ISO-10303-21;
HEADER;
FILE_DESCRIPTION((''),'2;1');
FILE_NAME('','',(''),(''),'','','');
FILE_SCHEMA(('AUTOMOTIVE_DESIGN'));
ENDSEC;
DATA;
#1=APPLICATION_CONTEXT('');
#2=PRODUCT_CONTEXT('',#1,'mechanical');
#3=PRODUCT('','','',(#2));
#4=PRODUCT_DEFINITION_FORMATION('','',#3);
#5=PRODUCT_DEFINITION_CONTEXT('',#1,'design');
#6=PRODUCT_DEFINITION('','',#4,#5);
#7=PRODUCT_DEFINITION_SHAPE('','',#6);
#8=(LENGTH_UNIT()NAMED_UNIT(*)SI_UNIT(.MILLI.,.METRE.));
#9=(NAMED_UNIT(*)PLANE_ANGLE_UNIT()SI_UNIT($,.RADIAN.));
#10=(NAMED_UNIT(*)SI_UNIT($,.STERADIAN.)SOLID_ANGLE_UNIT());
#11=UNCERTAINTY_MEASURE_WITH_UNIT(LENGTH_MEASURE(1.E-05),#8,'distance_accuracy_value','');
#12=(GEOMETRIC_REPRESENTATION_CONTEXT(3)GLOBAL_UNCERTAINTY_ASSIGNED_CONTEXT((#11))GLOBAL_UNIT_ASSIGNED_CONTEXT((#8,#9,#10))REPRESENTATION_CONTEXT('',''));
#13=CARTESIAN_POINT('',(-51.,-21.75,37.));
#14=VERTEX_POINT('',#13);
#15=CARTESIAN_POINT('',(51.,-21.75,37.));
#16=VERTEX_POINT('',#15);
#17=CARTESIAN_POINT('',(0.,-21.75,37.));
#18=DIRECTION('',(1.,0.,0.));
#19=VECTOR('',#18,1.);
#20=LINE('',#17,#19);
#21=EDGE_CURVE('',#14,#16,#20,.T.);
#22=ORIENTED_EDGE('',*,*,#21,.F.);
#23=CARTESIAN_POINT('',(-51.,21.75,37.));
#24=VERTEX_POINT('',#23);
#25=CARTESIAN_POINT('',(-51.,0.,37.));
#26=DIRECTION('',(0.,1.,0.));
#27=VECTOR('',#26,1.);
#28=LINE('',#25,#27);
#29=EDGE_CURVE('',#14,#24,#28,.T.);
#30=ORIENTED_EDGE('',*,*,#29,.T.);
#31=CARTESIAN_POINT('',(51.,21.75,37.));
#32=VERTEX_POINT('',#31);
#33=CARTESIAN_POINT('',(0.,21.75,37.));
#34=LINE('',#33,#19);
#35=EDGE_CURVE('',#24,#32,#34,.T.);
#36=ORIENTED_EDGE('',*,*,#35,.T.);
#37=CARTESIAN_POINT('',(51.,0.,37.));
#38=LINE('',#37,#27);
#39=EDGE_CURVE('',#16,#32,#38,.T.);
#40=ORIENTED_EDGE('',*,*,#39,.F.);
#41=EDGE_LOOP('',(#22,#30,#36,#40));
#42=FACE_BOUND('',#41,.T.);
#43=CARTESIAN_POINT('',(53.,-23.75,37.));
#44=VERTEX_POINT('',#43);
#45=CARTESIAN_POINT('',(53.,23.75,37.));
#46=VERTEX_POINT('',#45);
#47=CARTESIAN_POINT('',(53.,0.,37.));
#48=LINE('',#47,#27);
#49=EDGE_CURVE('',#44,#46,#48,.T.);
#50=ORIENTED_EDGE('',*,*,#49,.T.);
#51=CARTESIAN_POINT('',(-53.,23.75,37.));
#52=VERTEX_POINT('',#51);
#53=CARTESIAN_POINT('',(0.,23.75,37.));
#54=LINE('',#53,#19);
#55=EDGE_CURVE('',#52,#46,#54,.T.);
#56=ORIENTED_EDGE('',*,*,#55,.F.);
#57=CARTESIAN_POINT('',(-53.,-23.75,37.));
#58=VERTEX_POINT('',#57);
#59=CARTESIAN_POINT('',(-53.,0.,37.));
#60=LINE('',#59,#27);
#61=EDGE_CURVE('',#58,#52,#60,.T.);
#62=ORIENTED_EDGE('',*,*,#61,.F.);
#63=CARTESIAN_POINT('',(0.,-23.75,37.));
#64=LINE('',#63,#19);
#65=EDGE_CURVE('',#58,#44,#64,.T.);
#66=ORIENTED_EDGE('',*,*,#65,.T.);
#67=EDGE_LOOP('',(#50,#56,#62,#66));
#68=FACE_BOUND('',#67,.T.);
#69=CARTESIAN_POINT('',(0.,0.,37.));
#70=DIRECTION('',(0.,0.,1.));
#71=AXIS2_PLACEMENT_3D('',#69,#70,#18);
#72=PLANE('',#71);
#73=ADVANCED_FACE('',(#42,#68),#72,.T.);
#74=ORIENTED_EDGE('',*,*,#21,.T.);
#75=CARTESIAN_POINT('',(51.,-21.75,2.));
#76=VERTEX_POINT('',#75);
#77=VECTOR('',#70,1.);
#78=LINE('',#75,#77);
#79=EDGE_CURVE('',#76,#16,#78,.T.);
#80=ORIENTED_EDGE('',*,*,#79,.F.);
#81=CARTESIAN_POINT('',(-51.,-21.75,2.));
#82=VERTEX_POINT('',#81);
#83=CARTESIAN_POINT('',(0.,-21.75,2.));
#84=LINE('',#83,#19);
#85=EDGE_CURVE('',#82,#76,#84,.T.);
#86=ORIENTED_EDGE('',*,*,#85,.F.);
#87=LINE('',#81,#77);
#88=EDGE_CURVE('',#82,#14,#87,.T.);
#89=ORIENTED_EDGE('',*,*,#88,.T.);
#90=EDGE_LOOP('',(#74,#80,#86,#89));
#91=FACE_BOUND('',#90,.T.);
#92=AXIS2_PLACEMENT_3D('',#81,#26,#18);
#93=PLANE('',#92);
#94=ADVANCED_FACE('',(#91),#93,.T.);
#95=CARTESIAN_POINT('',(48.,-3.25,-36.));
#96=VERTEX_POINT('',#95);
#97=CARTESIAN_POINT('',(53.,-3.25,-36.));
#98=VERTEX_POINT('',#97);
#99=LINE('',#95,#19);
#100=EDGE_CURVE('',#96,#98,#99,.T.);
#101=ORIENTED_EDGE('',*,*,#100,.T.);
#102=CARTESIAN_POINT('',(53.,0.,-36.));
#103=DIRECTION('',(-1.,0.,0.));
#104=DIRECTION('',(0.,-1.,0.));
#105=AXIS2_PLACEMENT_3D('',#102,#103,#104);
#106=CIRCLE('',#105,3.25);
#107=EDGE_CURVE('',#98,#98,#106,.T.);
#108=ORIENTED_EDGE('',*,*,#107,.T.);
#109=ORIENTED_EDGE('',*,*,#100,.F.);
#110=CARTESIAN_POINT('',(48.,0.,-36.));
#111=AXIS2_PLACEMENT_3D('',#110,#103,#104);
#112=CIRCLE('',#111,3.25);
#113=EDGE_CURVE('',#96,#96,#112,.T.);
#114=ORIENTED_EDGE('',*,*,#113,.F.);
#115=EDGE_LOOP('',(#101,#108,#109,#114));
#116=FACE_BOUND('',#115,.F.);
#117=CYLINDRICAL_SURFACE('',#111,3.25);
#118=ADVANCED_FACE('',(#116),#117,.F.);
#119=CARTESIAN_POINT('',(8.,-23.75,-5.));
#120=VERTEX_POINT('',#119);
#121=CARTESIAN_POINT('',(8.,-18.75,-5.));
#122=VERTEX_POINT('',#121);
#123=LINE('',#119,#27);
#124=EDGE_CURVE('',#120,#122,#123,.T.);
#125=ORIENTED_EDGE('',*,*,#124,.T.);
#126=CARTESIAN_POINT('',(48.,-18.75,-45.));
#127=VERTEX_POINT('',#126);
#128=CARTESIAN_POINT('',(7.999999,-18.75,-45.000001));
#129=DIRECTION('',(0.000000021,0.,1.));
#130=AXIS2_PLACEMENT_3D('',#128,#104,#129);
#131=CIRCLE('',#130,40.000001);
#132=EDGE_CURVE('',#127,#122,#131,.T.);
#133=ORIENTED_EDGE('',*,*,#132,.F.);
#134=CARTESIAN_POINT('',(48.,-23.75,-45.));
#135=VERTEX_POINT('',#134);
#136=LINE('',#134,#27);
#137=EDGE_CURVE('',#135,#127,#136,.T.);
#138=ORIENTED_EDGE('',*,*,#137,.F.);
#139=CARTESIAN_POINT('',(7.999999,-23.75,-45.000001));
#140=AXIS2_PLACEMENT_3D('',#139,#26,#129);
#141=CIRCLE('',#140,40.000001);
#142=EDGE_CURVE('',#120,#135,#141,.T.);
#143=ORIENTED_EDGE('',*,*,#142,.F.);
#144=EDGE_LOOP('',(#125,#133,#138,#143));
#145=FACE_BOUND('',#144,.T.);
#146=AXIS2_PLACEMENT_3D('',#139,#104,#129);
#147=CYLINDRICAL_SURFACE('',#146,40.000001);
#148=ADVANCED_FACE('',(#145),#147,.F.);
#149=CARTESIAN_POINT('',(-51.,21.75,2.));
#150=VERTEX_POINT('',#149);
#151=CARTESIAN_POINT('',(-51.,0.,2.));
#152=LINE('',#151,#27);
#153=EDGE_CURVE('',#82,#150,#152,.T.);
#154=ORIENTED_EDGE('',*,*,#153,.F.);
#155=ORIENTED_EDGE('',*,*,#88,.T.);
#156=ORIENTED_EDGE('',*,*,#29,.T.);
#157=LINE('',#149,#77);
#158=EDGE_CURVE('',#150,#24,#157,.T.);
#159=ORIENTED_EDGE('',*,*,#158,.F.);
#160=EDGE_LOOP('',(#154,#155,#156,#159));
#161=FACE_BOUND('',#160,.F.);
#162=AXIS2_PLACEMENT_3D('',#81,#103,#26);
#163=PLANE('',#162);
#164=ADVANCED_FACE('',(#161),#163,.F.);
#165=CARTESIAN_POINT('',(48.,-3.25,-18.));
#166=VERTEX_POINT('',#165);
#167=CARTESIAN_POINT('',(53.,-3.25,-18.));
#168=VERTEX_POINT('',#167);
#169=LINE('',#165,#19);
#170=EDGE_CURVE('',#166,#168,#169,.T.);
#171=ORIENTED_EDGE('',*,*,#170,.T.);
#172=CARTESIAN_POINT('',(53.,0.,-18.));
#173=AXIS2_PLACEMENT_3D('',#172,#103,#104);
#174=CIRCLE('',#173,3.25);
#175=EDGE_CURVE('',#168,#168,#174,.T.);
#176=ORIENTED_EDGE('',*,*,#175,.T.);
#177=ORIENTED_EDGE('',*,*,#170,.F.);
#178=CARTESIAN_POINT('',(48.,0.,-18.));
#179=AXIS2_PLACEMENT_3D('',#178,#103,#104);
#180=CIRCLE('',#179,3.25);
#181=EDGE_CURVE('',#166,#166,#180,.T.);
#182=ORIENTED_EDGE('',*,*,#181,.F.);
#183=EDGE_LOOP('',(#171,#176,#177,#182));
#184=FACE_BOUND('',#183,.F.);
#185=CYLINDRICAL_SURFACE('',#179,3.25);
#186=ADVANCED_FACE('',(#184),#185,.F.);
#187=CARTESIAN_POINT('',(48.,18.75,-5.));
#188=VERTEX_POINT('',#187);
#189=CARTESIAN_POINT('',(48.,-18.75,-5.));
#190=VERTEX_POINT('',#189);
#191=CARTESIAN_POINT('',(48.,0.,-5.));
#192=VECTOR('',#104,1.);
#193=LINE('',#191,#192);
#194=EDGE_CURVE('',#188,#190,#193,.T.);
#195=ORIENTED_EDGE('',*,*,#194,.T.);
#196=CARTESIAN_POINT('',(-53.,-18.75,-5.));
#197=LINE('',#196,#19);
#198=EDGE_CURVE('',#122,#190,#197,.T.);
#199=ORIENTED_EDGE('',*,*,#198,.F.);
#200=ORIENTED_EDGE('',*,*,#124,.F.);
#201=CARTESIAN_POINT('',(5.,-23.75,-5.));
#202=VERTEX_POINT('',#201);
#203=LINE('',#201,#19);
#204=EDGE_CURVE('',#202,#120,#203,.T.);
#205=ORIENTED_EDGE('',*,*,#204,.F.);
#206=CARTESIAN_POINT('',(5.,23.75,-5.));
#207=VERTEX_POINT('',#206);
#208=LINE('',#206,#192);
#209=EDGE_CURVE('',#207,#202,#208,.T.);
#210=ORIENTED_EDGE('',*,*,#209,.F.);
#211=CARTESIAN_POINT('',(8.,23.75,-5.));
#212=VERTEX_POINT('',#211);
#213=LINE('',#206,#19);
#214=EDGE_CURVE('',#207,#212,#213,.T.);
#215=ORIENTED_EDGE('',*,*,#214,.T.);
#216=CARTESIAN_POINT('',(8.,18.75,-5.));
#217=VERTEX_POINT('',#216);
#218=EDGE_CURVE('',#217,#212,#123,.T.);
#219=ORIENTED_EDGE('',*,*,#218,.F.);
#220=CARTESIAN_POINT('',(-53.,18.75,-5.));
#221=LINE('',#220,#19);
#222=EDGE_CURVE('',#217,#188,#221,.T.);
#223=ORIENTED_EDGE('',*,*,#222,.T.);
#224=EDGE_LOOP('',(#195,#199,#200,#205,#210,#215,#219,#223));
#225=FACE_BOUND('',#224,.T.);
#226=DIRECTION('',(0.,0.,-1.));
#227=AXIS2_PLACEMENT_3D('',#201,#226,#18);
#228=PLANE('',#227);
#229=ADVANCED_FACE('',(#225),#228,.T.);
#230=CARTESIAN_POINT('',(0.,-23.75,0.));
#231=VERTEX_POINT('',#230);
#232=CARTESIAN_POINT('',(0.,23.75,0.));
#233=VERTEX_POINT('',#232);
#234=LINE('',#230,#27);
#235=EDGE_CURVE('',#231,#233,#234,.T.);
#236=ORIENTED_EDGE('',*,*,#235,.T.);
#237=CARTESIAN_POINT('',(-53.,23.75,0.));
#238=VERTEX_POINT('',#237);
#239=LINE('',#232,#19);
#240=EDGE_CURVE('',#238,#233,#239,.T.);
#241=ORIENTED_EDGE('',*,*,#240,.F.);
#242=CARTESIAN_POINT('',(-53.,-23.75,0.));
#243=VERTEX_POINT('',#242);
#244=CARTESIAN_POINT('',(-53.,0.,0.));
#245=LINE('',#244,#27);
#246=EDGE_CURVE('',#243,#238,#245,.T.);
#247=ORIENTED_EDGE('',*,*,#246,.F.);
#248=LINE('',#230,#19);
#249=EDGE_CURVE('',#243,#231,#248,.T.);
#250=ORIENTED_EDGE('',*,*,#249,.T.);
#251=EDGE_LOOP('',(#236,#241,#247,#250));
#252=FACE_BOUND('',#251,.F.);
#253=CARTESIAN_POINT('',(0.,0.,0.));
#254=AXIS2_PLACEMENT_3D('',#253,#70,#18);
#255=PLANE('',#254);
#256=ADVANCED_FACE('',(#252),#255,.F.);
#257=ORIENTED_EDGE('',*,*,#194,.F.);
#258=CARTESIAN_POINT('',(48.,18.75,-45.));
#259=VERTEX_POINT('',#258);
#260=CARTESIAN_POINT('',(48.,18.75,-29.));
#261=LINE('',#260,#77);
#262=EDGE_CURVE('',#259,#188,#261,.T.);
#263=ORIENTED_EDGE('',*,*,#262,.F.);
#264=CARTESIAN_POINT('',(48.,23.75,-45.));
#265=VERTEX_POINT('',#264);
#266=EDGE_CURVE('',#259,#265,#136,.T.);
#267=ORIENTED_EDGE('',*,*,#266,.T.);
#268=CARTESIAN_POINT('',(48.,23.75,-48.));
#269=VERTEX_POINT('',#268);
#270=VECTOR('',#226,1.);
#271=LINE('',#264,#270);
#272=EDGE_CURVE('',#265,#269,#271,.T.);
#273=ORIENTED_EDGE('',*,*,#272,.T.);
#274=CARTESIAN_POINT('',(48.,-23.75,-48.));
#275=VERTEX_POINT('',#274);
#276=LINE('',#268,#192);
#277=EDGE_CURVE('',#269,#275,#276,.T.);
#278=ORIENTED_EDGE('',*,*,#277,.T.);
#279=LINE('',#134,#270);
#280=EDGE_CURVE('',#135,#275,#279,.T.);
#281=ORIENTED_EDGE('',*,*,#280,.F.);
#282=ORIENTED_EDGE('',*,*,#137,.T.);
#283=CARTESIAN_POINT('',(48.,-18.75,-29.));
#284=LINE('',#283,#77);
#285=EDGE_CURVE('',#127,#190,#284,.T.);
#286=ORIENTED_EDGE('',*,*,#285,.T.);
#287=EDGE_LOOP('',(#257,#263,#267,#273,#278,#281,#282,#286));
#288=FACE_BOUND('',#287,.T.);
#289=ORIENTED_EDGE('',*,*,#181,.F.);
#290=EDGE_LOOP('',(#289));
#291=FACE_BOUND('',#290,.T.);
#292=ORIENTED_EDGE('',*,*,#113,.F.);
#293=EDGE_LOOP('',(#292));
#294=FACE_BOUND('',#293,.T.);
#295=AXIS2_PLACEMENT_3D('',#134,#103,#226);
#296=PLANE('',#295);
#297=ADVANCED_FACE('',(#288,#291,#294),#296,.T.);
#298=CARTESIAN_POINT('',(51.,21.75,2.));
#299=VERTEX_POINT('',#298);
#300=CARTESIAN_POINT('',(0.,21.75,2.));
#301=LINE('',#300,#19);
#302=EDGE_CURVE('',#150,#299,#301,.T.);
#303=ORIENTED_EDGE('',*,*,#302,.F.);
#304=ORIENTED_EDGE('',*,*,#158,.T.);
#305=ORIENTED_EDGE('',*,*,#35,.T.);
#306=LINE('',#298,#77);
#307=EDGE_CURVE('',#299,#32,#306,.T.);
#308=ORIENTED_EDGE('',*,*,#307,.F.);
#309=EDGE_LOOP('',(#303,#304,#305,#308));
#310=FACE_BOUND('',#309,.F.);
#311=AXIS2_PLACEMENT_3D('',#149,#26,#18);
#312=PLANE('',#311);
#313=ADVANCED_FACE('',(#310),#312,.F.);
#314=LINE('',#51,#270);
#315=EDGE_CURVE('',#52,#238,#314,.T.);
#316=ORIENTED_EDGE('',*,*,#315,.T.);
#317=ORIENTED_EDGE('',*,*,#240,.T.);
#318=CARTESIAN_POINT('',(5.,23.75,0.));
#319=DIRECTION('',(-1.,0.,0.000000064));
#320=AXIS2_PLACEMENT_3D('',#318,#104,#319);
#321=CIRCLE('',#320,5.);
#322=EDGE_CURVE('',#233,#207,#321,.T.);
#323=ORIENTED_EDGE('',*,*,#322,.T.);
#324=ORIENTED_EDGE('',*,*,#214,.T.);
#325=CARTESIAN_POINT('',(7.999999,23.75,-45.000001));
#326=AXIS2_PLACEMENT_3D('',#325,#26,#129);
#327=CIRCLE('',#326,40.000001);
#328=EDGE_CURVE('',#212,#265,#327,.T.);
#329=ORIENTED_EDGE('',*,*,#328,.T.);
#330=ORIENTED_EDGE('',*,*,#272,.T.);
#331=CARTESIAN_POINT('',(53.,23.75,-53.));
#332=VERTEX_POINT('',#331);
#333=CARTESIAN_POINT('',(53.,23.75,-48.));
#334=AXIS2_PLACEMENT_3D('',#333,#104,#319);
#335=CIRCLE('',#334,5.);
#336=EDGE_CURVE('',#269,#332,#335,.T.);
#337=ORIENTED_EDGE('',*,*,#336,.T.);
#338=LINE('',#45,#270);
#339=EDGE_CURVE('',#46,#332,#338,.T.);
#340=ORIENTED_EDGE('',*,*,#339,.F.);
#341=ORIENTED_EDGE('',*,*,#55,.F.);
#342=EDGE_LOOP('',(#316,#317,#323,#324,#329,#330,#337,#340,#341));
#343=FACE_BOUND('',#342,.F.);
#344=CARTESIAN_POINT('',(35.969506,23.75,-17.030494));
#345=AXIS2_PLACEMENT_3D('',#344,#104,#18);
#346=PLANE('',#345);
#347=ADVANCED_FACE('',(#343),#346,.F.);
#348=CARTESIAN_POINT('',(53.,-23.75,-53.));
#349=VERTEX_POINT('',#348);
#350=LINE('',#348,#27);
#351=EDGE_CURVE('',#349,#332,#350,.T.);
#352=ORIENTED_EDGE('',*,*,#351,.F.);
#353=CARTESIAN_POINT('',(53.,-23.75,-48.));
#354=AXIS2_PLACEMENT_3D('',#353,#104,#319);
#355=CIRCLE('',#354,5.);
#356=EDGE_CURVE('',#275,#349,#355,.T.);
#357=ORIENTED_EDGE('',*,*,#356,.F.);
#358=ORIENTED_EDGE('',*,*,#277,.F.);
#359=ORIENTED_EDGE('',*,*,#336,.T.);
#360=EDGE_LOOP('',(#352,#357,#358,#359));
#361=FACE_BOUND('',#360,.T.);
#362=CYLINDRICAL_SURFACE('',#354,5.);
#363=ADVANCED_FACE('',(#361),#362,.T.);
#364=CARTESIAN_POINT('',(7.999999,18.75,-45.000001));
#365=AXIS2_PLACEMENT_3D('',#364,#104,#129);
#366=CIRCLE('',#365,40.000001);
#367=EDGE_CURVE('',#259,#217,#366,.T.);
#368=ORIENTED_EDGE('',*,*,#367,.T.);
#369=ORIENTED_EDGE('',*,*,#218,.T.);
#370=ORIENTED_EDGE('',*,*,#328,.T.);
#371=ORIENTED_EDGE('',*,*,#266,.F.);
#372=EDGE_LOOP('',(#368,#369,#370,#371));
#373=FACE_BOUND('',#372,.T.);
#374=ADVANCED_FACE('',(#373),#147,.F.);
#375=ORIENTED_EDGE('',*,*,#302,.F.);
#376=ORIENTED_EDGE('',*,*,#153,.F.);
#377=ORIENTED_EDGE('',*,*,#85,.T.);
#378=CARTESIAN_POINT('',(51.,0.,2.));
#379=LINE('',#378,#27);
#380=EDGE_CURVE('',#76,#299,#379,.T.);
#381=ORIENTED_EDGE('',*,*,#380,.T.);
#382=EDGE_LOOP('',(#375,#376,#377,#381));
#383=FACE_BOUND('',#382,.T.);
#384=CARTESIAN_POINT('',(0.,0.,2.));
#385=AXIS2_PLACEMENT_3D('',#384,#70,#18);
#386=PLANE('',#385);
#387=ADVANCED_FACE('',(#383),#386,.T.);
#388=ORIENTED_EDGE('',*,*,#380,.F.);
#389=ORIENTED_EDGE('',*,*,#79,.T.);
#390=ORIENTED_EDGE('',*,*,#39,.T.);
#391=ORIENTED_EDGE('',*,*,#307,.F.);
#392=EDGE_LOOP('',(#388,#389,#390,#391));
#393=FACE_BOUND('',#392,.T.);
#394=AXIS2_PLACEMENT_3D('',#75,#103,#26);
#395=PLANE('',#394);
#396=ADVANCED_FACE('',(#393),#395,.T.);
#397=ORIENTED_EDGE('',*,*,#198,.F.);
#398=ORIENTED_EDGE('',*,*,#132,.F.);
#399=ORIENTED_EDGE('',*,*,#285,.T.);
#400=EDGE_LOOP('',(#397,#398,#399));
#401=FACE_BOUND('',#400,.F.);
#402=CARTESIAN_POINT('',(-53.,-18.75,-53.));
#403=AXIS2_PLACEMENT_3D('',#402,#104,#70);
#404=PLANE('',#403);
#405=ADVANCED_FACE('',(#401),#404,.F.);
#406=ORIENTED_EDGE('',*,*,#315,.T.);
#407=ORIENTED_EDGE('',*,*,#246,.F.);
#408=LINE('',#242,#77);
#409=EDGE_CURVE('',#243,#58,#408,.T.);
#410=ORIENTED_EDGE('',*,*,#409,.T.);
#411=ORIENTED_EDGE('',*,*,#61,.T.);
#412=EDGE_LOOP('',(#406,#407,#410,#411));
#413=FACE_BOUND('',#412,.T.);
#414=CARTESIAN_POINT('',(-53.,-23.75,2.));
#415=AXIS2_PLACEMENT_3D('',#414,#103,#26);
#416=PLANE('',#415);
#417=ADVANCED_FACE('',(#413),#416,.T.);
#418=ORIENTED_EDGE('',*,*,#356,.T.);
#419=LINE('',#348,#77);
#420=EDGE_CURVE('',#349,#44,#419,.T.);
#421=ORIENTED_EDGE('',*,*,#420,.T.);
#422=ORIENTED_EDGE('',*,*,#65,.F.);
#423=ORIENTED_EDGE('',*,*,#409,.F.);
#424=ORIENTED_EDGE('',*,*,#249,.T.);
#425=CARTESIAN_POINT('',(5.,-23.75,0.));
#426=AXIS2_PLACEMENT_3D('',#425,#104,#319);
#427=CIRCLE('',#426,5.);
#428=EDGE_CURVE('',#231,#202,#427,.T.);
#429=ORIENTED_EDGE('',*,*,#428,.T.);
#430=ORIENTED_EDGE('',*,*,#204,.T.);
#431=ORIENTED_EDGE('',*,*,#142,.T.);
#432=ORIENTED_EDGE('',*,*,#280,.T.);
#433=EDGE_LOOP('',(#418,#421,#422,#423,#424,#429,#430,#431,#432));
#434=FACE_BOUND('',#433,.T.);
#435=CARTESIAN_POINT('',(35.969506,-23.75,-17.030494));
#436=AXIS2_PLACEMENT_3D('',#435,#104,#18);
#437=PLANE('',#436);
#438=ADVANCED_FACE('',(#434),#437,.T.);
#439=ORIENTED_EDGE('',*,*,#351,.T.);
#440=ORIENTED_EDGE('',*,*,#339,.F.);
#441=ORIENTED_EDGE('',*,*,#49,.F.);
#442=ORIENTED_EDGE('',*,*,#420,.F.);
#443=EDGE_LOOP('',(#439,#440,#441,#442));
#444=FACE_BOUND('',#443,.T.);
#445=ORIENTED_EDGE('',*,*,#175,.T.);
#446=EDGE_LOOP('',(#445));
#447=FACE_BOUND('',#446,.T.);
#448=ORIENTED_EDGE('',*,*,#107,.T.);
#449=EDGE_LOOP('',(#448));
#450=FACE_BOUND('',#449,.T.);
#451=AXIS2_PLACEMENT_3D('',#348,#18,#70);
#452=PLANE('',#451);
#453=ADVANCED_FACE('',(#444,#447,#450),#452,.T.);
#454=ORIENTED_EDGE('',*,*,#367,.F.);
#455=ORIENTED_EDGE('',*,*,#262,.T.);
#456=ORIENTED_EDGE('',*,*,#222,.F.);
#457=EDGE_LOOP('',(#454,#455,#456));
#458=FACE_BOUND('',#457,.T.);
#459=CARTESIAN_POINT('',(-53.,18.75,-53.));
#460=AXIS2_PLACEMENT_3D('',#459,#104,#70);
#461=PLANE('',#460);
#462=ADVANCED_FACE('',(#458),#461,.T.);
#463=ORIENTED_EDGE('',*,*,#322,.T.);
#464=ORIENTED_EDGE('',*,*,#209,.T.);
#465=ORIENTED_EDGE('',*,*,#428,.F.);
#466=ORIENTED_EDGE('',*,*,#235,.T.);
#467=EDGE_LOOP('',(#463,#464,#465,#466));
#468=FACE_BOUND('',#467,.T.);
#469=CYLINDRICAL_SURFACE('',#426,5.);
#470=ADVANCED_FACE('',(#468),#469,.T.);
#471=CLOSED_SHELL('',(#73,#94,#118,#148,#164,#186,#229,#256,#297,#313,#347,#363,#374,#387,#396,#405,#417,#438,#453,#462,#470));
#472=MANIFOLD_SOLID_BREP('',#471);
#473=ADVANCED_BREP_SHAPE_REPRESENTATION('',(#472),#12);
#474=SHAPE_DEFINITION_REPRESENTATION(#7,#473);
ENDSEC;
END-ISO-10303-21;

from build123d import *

# Parameters (mm, degrees)
F0_W     = 106
F0_H     = 47.5
F0_W_2   = 102
F0_H_2   = 43.5
F1_DEPTH = 2
F2_W     = 106
F2_H     = 47.5
F2_W_2   = 102
F2_H_2   = 43.5
F3_DEPTH = 35
F5_DEPTH = 47.5
F6_W     = 37.5
F6_H     = 48
F7_DEPTH = 101
F8_R     = 3.25
F9_DEPTH = 25


with BuildPart() as f1:
    # F0 (on Top) → F1 (new body)
    with BuildSketch(Plane.XY):
        Rectangle(F0_W, F0_H)
        Rectangle(F0_W_2, F0_H_2, mode=Mode.SUBTRACT)
        Rectangle(F0_W_2, F0_H_2)
    extrude(amount=F1_DEPTH)

    # F2 (on face) → F3 (join)
    with BuildSketch(Plane.XY.offset(2)):
        Rectangle(F2_W, F2_H)
        Rectangle(F2_W_2, F2_H_2, mode=Mode.SUBTRACT)
    extrude(amount=F3_DEPTH)

    # F4 (on face) → F5 (join)
    with BuildSketch(Plane.XZ.offset(23.75)):
        with BuildLine():
            Line((53, -5), (53, 0))
            Line((53, 0), (0, 0))
            ThreePointArc((0, 0), (1.464466, -3.535534), (5, -5))
            Line((5, -5), (8, -5))
            ThreePointArc((8, -5), (36.284271, -16.715729), (48, -45))
            Line((48, -45), (48, -48))
            ThreePointArc((48, -48), (49.464466, -51.535534), (53, -53))
            Line((53, -53), (53, -5))
        make_face()
    extrude(amount=-F5_DEPTH)

    # F6 (on face) → F7 (cut)
    with BuildSketch(Plane(origin=(-53, 0, 0), x_dir=(0, -1, 0), z_dir=(-1, 0, 0))):
        with Locations((0, -29)):
            Rectangle(F6_W, F6_H)
    extrude(amount=-F7_DEPTH, mode=Mode.SUBTRACT)

    # F8 (on face) → F9 (cut)
    with BuildSketch(Plane(origin=(48, 0, 0), x_dir=(0, -1, 0), z_dir=(-1, 0, 0))):
        with Locations((0, -18)):
            Circle(F8_R)
        with Locations((0, -36)):
            Circle(F8_R)
    extrude(amount=-F9_DEPTH, mode=Mode.SUBTRACT)


solid = f1.part
